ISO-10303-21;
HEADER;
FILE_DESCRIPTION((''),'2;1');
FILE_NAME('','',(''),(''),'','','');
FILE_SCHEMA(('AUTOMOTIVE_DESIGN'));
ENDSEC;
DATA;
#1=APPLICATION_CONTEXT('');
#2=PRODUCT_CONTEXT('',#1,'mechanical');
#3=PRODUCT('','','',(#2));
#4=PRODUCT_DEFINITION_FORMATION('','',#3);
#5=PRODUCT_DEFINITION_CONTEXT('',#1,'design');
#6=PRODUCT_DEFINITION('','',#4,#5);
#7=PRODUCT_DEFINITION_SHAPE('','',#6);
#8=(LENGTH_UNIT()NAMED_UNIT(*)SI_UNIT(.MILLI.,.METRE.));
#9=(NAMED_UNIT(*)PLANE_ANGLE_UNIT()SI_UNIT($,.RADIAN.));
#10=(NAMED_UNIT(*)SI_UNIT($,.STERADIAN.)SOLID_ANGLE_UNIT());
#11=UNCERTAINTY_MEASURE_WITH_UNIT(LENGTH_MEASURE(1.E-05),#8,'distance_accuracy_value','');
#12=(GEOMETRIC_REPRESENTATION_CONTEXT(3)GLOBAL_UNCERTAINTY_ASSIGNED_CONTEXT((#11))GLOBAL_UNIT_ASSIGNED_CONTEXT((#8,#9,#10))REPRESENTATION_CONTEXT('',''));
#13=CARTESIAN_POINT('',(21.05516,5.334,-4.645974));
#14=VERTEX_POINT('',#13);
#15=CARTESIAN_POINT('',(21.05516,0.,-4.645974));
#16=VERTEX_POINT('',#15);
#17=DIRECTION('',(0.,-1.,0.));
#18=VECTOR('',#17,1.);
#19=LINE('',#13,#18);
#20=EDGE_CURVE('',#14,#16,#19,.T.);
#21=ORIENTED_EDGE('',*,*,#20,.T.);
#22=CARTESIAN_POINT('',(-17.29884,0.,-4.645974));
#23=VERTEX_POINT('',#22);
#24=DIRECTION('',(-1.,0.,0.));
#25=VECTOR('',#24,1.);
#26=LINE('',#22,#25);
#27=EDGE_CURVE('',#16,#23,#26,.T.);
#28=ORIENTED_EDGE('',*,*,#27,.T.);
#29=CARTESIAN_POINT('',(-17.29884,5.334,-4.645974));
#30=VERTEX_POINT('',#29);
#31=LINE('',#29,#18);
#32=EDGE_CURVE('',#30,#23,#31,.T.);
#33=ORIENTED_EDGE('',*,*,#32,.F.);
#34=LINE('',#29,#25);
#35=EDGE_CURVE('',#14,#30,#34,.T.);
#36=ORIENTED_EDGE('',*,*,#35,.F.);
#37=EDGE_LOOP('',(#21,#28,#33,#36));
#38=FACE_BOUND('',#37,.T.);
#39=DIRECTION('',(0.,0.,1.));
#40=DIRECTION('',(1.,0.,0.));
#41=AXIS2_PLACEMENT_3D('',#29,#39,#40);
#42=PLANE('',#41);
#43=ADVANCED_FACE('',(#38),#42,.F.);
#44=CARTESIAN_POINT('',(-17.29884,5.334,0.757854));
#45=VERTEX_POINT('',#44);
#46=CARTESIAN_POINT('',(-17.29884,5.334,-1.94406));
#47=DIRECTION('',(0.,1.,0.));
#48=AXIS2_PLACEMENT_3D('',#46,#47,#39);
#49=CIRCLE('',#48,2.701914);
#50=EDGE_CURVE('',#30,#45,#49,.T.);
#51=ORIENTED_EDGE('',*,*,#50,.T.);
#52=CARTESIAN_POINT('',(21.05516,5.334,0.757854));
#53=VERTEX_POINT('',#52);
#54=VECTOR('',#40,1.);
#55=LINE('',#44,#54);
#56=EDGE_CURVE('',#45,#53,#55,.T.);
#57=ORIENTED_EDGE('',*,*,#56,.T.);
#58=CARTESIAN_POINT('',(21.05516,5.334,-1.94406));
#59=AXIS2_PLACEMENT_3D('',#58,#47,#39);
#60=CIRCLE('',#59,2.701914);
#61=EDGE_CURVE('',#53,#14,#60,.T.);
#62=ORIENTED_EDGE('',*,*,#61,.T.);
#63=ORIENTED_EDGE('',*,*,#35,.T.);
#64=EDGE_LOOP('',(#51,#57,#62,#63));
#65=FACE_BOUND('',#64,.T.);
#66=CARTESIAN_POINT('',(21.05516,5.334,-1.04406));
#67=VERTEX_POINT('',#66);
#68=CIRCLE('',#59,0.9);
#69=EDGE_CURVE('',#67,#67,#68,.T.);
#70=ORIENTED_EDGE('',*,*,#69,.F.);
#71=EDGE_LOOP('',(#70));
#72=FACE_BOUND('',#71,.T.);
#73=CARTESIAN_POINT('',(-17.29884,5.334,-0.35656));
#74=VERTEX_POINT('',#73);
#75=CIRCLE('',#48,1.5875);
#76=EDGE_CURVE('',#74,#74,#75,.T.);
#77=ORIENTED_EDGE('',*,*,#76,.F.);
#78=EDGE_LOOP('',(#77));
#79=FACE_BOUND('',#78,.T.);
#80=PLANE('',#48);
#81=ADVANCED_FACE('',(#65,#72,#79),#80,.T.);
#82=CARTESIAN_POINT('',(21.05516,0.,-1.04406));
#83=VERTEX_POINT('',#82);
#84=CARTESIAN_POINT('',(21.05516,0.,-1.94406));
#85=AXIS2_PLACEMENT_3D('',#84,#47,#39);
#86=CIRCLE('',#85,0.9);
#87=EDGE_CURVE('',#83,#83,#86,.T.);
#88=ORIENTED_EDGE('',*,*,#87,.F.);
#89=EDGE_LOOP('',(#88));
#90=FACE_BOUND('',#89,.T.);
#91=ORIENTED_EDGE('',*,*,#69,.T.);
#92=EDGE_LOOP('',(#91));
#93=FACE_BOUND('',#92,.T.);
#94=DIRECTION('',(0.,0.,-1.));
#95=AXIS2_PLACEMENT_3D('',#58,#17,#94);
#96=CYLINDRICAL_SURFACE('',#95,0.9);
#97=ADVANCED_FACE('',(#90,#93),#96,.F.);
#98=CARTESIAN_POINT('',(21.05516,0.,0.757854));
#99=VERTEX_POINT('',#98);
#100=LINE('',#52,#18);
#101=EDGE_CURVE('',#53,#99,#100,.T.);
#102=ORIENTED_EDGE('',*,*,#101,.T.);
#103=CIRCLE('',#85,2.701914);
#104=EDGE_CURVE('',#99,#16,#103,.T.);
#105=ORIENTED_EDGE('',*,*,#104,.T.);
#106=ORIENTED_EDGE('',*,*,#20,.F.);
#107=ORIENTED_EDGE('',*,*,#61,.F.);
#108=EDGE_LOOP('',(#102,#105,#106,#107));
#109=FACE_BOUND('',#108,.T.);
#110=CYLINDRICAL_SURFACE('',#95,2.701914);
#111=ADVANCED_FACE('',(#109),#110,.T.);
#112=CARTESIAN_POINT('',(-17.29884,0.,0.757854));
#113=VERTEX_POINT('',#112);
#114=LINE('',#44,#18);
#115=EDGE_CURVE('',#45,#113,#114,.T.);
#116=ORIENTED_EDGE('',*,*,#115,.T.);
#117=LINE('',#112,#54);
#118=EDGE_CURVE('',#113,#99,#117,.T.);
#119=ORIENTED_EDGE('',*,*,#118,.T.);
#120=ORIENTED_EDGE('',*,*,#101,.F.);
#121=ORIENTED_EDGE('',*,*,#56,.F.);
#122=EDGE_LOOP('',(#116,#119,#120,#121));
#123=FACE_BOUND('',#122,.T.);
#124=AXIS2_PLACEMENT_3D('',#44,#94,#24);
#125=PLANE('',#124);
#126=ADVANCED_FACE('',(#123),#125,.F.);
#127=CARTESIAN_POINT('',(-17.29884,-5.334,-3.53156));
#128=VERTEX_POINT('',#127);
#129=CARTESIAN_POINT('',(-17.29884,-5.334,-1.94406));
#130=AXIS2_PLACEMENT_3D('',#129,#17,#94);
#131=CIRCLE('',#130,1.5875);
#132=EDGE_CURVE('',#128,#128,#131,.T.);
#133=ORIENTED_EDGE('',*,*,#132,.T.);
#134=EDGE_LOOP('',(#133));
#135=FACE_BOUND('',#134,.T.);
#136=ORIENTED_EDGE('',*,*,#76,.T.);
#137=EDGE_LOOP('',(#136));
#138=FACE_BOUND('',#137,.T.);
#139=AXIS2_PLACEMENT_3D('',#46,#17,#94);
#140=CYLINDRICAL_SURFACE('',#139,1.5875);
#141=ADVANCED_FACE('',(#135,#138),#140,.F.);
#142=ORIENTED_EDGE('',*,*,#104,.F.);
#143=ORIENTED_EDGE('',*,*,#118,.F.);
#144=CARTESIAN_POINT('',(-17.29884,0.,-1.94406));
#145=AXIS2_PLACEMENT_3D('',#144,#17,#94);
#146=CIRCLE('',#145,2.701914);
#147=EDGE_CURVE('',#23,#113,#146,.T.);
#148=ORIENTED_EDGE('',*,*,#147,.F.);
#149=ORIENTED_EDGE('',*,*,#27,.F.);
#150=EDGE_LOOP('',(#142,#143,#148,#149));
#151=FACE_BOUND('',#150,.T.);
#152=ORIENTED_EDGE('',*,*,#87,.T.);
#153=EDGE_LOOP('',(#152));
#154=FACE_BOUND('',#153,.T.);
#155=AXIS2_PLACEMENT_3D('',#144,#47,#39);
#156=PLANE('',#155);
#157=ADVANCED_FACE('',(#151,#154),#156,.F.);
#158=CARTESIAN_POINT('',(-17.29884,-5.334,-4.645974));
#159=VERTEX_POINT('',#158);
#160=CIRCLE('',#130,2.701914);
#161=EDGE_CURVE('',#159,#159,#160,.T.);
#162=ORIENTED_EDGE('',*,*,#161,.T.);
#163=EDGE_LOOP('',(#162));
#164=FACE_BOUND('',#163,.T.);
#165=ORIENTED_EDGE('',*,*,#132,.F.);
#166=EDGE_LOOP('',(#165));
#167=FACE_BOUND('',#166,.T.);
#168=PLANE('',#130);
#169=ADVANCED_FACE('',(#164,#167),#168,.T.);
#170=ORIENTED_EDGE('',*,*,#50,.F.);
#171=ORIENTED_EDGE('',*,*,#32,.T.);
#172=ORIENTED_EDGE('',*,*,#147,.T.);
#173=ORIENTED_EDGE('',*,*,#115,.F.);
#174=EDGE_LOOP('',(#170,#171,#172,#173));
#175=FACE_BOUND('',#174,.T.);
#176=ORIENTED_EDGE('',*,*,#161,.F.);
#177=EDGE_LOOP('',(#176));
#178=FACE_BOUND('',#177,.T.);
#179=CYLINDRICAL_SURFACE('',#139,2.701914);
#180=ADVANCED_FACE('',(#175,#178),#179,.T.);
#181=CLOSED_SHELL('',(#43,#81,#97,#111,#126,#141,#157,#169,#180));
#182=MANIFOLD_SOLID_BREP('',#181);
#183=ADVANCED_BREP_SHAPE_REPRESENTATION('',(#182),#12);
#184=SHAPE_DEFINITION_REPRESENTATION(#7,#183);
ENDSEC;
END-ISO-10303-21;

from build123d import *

# Parameters (mm, degrees)
SKETCH1_R           = 1.5875
SKETCH1_R_2         = 0.9
BOSS_EXTRUDE1_DEPTH = 5.334
BOSS_EXTRUDE2_START = 5.334
SKETCH2_R           = 2.701914089
SKETCH2_R_2         = 1.5875
BOSS_EXTRUDE2_DEPTH = 5.334


with BuildPart() as part:
    # Sketch1 → Boss-Extrude1 (new body)
    with BuildSketch(Plane(origin=(0, 0, 0), x_dir=(1, 0, 0), z_dir=(0, 1, 0))):
        with BuildLine():
            Line((-17.298840206, 4.645974227), (21.055159794, 4.645974227))
            ThreePointArc((21.055159794, 4.645974227), (23.757073883, 1.944060137), (21.055159794, -0.757853952))
            Line((21.055159794, -0.757853952), (-17.298840206, -0.757853952))
            ThreePointArc((-17.298840206, -0.757853952), (-20.000754296, 1.944060137), (-17.298840206, 4.645974227))
        make_face()
        with Locations(Location((-17.298840206, 1.944060137, 0), (0, 0, 270))):
            Circle(SKETCH1_R, mode=Mode.SUBTRACT)
        with Locations(Location((21.055159794, 1.944060137, 0), (0, 0, 270))):
            Circle(SKETCH1_R_2, mode=Mode.SUBTRACT)
    extrude(amount=BOSS_EXTRUDE1_DEPTH)

    # Sketch2 → Boss-Extrude2 (add)
    with BuildSketch(Plane.XZ.offset(BOSS_EXTRUDE2_START)):
        with Locations(Location((-17.298840206, -1.944060137, 0), (0, 0, 270))):
            Circle(SKETCH2_R)
        with Locations(Location((-17.298840206, -1.944060137, 0), (0, 0, 270))):
            Circle(SKETCH2_R_2, mode=Mode.SUBTRACT)
    extrude(amount=-BOSS_EXTRUDE2_DEPTH)


solid = part.part
